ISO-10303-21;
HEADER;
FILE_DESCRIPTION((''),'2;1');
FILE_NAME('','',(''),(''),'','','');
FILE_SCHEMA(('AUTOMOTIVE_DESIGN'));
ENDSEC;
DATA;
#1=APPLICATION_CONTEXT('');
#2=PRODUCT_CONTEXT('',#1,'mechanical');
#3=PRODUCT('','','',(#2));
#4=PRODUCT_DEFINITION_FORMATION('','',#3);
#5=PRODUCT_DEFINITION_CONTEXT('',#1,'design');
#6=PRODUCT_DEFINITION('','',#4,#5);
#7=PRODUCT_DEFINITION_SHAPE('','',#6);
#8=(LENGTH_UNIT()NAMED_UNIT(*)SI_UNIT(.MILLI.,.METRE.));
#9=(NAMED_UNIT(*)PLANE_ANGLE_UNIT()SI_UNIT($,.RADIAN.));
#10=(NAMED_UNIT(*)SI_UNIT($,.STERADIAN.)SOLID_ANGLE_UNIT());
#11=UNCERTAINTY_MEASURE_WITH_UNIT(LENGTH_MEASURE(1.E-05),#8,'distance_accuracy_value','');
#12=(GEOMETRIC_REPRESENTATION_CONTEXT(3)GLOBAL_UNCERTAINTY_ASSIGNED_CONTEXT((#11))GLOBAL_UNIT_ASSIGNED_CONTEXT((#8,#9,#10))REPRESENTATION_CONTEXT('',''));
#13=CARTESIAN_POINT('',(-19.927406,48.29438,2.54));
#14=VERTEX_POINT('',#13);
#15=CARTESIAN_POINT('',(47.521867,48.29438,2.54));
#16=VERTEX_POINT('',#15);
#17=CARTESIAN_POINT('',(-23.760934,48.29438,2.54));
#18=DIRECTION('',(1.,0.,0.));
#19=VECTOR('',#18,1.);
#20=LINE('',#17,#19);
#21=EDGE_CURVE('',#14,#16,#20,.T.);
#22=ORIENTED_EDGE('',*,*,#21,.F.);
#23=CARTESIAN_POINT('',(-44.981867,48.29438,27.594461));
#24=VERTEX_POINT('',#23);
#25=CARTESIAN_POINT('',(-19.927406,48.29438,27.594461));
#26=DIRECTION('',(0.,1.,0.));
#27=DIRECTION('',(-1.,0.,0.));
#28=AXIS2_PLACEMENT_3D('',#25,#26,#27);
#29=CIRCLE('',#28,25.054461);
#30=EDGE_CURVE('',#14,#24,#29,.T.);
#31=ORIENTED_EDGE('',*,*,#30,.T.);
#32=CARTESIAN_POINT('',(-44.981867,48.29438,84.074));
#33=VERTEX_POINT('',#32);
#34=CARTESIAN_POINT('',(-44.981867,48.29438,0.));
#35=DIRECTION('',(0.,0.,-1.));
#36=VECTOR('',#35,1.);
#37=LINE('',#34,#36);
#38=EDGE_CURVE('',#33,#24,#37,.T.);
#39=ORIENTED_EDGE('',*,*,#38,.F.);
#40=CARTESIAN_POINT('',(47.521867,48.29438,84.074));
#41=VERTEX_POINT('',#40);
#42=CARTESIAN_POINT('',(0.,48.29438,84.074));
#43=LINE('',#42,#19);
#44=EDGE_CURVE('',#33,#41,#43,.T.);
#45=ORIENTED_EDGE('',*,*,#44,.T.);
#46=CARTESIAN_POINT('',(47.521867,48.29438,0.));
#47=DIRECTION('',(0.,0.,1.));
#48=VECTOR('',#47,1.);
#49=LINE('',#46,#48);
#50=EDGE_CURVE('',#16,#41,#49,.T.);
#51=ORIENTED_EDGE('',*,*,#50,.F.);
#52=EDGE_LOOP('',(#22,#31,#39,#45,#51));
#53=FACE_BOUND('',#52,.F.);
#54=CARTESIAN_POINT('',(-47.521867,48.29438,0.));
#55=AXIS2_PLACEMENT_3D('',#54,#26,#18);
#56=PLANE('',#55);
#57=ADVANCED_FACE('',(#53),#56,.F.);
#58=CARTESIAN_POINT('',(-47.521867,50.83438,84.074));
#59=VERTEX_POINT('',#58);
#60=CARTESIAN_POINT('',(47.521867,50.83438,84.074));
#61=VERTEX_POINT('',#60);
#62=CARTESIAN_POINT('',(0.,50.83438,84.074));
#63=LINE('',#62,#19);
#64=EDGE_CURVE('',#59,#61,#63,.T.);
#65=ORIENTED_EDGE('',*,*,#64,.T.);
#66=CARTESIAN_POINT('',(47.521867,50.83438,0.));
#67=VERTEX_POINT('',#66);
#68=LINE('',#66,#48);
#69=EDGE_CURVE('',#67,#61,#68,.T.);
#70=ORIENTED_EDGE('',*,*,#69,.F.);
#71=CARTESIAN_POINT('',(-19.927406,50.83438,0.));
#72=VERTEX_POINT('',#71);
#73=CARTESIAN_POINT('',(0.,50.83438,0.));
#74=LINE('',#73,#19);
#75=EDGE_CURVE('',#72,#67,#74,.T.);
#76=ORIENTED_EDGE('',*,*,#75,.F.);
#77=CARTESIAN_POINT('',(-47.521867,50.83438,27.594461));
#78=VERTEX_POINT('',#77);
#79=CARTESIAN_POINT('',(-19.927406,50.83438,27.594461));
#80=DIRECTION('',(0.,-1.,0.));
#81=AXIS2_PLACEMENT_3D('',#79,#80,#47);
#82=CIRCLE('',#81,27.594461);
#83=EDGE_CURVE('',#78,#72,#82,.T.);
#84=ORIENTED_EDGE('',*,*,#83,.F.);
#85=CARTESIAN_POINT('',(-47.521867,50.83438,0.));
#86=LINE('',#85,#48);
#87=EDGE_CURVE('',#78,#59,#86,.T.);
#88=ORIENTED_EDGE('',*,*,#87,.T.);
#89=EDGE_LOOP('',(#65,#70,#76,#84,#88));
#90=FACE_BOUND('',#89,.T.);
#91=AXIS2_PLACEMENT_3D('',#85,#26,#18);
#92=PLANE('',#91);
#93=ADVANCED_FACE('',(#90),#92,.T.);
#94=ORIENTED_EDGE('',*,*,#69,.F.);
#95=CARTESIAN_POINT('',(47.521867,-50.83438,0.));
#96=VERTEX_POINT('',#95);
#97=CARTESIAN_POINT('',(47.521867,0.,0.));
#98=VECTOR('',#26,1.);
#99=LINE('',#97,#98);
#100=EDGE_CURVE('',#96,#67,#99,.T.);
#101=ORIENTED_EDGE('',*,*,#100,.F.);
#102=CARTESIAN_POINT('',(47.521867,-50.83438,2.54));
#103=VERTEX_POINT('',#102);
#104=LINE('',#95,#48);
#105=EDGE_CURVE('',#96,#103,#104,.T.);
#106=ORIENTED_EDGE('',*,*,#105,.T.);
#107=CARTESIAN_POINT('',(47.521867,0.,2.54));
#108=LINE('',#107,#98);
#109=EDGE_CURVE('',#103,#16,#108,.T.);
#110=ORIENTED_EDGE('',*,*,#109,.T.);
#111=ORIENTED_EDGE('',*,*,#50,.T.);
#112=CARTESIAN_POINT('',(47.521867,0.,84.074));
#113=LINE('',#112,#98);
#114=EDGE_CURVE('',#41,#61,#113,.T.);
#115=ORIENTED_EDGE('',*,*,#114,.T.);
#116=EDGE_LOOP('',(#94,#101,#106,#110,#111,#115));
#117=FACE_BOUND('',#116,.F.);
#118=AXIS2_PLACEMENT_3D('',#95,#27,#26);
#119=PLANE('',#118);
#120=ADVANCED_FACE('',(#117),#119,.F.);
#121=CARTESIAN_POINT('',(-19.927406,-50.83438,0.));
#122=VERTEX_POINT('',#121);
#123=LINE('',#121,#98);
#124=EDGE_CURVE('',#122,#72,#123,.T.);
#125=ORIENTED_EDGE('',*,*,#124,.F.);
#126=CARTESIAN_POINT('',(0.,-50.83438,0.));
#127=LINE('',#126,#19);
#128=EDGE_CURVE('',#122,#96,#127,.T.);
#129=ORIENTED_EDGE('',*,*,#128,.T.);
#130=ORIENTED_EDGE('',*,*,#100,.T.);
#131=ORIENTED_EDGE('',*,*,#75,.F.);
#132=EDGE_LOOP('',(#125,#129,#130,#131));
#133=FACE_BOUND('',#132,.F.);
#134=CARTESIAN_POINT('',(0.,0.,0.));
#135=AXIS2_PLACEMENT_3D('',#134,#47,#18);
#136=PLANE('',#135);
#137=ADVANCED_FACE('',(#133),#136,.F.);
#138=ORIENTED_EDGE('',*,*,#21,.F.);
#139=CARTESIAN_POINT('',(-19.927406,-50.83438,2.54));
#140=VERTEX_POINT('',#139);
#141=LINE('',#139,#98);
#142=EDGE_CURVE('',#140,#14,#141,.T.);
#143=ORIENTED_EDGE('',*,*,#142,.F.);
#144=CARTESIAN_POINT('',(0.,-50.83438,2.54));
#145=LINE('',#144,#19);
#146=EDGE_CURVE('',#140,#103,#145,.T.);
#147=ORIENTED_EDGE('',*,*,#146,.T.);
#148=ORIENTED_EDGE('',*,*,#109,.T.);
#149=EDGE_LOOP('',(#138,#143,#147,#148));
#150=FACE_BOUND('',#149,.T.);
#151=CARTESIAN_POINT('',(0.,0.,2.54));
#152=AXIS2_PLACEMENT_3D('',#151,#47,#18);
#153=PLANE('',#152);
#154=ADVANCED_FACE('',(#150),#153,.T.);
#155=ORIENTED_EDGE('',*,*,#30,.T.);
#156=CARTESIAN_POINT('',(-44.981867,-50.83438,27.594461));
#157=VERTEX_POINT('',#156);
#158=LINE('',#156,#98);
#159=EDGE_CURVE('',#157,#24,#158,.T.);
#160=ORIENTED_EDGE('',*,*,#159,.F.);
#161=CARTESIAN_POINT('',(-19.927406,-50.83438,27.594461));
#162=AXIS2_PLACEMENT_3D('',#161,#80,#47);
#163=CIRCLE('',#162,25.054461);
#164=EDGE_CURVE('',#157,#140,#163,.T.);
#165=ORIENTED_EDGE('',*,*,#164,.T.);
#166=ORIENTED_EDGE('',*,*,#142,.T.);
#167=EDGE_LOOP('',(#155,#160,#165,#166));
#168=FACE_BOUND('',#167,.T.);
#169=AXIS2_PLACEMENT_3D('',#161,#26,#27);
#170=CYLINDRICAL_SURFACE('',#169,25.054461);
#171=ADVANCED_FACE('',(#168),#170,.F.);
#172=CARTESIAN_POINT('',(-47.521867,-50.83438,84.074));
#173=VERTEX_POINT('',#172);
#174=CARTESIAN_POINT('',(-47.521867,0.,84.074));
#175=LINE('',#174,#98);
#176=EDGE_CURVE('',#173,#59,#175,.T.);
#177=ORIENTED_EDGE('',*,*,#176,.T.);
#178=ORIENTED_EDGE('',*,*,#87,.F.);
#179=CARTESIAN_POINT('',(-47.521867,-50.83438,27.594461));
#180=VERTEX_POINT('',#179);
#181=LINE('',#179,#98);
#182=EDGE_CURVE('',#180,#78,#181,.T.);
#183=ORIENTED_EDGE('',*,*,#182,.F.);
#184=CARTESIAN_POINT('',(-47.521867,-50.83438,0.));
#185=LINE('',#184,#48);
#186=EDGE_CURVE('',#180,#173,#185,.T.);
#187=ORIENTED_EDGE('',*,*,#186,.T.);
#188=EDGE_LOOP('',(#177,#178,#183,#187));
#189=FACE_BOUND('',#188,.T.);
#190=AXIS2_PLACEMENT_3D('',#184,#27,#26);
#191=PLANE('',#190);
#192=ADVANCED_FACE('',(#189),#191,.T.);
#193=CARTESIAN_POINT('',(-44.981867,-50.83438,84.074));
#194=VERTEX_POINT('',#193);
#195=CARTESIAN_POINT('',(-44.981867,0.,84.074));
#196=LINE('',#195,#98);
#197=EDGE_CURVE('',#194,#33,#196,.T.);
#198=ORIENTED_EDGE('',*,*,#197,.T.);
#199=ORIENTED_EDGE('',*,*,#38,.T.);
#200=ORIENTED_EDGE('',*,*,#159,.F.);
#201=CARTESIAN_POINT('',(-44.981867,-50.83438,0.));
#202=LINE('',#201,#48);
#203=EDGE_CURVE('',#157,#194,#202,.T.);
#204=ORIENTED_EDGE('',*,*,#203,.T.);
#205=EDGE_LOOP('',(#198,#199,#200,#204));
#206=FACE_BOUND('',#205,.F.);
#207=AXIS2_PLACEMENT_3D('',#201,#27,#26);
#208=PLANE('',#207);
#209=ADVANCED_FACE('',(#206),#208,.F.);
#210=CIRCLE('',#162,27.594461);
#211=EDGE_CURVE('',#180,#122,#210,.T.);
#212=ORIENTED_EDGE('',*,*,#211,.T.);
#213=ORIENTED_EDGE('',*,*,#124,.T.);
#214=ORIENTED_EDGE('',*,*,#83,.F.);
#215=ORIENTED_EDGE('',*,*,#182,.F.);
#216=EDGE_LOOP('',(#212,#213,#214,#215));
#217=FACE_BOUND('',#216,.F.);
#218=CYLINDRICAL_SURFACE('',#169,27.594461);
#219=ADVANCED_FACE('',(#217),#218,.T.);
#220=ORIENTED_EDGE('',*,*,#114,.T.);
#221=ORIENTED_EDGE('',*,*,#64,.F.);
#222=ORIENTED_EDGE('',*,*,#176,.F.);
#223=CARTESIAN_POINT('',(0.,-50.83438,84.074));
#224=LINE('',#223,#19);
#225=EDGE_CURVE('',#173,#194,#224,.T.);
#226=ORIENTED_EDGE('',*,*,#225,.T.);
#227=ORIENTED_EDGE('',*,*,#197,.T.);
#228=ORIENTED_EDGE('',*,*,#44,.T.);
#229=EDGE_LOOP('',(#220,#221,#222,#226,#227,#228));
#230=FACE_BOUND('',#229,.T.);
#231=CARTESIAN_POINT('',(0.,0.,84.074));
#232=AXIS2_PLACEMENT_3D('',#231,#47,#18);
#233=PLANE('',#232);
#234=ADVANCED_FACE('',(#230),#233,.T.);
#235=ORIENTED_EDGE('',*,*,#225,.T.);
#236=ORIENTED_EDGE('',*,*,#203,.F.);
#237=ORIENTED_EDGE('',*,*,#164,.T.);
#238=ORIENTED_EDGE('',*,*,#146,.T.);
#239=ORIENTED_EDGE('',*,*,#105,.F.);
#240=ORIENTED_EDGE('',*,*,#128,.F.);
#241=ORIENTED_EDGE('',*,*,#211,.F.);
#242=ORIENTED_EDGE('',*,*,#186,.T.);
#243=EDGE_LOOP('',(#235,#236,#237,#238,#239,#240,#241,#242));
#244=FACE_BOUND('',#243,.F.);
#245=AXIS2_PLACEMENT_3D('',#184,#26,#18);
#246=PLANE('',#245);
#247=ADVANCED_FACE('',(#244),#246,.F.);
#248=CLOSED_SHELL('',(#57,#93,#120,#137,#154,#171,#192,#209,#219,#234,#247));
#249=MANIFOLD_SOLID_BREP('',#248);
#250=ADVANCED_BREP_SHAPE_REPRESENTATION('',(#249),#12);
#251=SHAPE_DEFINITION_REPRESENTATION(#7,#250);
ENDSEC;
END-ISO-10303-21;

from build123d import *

# Parameters (mm, degrees)
F0_W     = 95.043734
F0_H     = 101.66876
F1_DEPTH = 84.074
F2_R     = 27.594461
F3_T     = -2.54


with BuildPart() as f1:
    # F0 (on Top) → F1 (new body)
    with BuildSketch(Plane.XY):
        Rectangle(F0_W, F0_H)
    extrude(amount=F1_DEPTH)

    # F2
    f2_edges = [f1.edges().sort_by_distance(p)[0] for p in [
        (-47.521867, 0, 0),
    ]]
    fillet(f2_edges, radius=F2_R)

    # F3
    f3_openings = [f1.faces().sort_by_distance(p)[0] for p in [
        (0.863429, -50.83438, 42.785922),
        (0, 0, 84.074),
        (47.521867, 0, 42.037),
    ]]
    offset(amount=F3_T, openings=f3_openings)


solid = f1.part
